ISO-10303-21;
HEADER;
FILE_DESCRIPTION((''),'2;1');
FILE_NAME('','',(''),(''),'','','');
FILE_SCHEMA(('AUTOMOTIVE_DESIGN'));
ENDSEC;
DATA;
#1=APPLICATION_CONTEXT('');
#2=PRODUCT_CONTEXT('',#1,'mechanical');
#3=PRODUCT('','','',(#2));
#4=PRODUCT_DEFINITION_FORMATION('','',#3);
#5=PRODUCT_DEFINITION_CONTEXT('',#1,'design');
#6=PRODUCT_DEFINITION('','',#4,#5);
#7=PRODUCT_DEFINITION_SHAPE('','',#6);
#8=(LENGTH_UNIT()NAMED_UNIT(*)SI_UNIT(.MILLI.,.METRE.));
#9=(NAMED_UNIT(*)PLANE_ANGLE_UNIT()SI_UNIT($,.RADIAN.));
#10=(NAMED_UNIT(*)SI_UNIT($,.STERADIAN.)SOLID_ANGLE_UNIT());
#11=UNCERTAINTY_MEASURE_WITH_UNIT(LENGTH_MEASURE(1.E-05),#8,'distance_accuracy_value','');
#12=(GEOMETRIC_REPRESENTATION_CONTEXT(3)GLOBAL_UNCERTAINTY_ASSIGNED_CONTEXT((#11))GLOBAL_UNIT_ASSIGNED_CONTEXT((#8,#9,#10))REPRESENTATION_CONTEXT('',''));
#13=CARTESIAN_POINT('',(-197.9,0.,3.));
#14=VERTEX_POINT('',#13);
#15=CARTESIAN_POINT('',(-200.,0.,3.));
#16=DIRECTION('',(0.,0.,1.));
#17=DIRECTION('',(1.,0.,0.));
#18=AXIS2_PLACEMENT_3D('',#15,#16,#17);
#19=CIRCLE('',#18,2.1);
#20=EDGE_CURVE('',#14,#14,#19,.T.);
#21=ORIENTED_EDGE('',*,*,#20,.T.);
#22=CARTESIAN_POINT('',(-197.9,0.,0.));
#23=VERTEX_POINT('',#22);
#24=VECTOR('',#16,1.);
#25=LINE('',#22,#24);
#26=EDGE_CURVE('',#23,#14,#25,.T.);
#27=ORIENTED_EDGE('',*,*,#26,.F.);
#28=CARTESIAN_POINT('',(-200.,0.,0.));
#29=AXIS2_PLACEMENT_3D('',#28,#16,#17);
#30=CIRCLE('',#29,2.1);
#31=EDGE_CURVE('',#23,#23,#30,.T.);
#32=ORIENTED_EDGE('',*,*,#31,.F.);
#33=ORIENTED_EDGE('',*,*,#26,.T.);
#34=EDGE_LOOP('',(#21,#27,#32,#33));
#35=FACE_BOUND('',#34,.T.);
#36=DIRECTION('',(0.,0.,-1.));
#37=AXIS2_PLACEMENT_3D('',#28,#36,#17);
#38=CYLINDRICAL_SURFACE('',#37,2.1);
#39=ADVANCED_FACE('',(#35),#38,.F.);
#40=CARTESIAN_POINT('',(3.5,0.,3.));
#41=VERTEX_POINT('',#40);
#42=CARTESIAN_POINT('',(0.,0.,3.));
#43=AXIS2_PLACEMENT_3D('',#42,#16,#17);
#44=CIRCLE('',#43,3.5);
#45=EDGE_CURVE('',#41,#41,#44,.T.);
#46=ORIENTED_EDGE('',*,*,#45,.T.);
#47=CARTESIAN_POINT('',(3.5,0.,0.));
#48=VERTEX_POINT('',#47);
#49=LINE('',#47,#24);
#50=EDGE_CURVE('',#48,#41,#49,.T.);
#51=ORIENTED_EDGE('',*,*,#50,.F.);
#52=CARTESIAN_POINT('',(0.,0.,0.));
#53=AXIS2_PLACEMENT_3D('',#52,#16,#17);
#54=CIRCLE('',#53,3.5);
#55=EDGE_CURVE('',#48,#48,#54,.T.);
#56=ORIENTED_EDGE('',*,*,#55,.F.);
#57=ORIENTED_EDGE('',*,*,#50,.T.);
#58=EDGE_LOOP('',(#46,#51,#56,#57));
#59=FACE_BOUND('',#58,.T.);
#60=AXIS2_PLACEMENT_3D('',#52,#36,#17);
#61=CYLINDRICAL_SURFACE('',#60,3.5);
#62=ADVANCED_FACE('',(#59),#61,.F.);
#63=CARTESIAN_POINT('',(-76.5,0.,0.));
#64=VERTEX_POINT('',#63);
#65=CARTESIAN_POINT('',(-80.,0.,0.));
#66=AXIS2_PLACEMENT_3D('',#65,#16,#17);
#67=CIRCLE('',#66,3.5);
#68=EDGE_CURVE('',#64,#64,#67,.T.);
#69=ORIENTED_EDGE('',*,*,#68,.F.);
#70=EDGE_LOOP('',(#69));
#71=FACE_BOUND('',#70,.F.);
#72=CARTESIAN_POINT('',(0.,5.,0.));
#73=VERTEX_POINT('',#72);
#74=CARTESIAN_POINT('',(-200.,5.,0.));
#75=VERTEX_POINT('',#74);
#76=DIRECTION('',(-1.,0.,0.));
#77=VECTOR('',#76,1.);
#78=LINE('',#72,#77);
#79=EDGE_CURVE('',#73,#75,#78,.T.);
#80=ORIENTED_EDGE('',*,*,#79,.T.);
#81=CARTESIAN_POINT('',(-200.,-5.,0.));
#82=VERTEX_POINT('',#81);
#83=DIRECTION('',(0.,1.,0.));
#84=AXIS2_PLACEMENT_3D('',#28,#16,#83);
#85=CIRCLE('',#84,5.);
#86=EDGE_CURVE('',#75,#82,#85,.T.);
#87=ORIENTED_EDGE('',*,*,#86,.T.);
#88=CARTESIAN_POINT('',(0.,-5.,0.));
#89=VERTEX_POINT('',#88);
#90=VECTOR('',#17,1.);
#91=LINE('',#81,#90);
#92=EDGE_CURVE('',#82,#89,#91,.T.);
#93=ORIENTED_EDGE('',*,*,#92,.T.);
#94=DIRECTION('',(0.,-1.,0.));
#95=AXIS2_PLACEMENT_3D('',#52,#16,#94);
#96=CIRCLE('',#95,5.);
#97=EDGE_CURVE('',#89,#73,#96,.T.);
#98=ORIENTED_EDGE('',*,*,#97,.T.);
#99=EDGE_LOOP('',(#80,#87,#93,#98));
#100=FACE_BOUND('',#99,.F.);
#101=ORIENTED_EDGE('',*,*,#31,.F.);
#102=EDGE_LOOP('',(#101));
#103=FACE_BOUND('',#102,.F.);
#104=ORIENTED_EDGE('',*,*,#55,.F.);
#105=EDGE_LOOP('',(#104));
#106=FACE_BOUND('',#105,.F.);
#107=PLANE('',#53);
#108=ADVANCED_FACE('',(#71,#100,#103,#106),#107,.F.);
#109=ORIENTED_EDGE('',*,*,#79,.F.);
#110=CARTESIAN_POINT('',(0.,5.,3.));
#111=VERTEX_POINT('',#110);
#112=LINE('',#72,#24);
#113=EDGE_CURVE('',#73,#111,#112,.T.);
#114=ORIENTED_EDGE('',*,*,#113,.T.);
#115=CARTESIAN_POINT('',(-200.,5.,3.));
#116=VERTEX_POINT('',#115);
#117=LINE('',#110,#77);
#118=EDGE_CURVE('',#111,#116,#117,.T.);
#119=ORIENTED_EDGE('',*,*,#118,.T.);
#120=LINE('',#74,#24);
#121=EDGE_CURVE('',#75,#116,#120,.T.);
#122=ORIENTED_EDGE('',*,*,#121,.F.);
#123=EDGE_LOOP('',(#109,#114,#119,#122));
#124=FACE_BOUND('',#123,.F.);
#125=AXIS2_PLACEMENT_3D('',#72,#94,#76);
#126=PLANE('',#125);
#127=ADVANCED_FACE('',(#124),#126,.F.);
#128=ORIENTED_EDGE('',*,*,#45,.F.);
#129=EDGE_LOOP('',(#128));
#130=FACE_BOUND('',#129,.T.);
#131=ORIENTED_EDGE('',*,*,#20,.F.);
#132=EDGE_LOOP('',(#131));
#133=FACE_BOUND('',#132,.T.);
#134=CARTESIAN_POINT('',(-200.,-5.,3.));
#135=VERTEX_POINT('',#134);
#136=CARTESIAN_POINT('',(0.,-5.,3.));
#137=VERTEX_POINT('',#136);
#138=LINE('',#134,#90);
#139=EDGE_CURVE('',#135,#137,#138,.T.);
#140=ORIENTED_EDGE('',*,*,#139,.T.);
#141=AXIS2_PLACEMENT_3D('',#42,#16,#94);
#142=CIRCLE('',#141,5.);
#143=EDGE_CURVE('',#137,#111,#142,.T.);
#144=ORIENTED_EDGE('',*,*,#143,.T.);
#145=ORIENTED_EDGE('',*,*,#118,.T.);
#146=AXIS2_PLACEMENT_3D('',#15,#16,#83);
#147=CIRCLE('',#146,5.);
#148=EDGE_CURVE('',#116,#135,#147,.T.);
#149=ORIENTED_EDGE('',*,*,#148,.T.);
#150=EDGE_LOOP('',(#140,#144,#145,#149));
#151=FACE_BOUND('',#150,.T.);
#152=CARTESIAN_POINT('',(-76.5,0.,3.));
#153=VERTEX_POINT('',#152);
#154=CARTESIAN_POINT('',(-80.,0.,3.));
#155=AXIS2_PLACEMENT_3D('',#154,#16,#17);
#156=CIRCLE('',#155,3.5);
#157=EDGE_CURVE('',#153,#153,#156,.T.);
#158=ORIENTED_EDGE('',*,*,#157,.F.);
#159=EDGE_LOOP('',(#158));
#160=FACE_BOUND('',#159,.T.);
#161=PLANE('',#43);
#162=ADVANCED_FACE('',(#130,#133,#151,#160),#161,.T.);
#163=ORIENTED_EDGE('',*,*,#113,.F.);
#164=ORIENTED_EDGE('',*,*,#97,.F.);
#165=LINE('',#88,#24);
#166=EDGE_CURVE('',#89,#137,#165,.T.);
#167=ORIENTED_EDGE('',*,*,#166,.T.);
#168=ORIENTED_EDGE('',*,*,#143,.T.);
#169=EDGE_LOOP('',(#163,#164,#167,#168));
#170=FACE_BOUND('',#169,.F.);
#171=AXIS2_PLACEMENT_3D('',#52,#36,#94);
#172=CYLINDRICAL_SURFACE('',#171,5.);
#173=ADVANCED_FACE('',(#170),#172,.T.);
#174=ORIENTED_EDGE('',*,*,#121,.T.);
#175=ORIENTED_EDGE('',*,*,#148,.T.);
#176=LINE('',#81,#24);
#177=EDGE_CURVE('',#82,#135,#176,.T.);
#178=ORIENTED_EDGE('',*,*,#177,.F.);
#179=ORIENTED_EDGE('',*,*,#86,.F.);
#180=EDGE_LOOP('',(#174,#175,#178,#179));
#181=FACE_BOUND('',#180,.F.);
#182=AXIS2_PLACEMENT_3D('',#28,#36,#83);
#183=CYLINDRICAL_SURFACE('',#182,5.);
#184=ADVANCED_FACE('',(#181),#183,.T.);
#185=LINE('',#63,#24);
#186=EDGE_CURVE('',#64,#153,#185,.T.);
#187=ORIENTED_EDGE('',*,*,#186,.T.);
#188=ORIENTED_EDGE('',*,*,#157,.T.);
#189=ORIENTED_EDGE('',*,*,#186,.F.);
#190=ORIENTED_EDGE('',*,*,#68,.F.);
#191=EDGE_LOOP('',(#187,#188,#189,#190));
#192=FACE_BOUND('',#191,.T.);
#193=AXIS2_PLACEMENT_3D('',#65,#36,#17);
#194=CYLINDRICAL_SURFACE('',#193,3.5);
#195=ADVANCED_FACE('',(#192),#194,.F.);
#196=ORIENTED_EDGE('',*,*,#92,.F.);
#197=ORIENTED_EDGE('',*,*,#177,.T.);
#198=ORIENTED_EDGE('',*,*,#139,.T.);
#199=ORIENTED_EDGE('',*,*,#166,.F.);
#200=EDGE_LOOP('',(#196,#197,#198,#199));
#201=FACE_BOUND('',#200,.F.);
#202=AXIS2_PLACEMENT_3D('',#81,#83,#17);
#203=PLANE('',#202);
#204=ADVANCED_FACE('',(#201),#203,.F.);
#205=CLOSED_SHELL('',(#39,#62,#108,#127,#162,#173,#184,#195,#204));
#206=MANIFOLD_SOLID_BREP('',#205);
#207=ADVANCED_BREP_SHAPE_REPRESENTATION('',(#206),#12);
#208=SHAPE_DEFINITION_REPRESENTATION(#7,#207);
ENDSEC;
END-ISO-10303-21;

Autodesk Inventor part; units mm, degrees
ref_plane "YZ Plane" through (0, 0, 0) normal (1, 0, 0) x (0, 1, 0)
ref_plane "XZ Plane" through (0, 0, 0) normal (0, 1, 0) x (-1, 0, 0)
ref_plane "XY Plane" through (0, 0, 0) normal (0, 0, 1) x (1, 0, 0)
sketch "草圖1" plane through (0, 0, 0) normal (0, 0, 1) x (1, 0, 0)
  line L0 (-200, 0) -> (0, 0) construction
  line L1 (-200, -5) -> (0, -5)
  line L2 (0, 5) -> (-200, 5)
  arc A0 (-200, 5) -> (-200, -5) centre (-200, 0) ccw
  arc A1 (0, -5) -> (0, 5) centre (0, 0) ccw
  circle A2 centre (-200, 0) radius 2.1
  circle A3 centre (0, 0) radius 3.5
  circle A4 centre (-80, 0) radius 3.5
  point P0 (-100, 0)
  dimension "d0" = 200
  dimension "d1" = 10
  dimension "d2" = 4.2
  dimension "d3" = 7
  dimension "d23" = 120
extrude "擠出1" add sketch "草圖1" along normal blind 3
sketch "草圖4" plane through (0, 0, 3) normal (0, 0, 1) x (1, 0, 0)
  line L0 (-202.932, -0.7895) -> (-200.36, -2.1968)
  arc A0 (-200.36, -2.1968) -> (-199.64, -2.1968) centre (-200, -1.5389) ccw
  line L1 (-199.64, -2.1968) -> (-197.068, -0.7895)
  arc A1 (-197.068, -0.7895) -> (-197.068, 0.7895) centre (-197.5, 0) ccw
  line L2 (-197.068, 0.7895) -> (-199.64, 2.1968)
  arc A2 (-199.64, 2.1968) -> (-200.36, 2.1968) centre (-200, 1.5389) ccw
  line L3 (-200.36, 2.1968) -> (-202.932, 0.7895)
  arc A3 (-202.932, 0.7895) -> (-202.932, -0.7895) centre (-202.5, 0) ccw
  circle A4 centre (-200, 0) radius 1.55
  circle A5 centre (-200, 0) radius 2.1 projected
  point P0 (0, 0)
extrude "擠出3" [suppressed]
properties part number "adjustable_200"
